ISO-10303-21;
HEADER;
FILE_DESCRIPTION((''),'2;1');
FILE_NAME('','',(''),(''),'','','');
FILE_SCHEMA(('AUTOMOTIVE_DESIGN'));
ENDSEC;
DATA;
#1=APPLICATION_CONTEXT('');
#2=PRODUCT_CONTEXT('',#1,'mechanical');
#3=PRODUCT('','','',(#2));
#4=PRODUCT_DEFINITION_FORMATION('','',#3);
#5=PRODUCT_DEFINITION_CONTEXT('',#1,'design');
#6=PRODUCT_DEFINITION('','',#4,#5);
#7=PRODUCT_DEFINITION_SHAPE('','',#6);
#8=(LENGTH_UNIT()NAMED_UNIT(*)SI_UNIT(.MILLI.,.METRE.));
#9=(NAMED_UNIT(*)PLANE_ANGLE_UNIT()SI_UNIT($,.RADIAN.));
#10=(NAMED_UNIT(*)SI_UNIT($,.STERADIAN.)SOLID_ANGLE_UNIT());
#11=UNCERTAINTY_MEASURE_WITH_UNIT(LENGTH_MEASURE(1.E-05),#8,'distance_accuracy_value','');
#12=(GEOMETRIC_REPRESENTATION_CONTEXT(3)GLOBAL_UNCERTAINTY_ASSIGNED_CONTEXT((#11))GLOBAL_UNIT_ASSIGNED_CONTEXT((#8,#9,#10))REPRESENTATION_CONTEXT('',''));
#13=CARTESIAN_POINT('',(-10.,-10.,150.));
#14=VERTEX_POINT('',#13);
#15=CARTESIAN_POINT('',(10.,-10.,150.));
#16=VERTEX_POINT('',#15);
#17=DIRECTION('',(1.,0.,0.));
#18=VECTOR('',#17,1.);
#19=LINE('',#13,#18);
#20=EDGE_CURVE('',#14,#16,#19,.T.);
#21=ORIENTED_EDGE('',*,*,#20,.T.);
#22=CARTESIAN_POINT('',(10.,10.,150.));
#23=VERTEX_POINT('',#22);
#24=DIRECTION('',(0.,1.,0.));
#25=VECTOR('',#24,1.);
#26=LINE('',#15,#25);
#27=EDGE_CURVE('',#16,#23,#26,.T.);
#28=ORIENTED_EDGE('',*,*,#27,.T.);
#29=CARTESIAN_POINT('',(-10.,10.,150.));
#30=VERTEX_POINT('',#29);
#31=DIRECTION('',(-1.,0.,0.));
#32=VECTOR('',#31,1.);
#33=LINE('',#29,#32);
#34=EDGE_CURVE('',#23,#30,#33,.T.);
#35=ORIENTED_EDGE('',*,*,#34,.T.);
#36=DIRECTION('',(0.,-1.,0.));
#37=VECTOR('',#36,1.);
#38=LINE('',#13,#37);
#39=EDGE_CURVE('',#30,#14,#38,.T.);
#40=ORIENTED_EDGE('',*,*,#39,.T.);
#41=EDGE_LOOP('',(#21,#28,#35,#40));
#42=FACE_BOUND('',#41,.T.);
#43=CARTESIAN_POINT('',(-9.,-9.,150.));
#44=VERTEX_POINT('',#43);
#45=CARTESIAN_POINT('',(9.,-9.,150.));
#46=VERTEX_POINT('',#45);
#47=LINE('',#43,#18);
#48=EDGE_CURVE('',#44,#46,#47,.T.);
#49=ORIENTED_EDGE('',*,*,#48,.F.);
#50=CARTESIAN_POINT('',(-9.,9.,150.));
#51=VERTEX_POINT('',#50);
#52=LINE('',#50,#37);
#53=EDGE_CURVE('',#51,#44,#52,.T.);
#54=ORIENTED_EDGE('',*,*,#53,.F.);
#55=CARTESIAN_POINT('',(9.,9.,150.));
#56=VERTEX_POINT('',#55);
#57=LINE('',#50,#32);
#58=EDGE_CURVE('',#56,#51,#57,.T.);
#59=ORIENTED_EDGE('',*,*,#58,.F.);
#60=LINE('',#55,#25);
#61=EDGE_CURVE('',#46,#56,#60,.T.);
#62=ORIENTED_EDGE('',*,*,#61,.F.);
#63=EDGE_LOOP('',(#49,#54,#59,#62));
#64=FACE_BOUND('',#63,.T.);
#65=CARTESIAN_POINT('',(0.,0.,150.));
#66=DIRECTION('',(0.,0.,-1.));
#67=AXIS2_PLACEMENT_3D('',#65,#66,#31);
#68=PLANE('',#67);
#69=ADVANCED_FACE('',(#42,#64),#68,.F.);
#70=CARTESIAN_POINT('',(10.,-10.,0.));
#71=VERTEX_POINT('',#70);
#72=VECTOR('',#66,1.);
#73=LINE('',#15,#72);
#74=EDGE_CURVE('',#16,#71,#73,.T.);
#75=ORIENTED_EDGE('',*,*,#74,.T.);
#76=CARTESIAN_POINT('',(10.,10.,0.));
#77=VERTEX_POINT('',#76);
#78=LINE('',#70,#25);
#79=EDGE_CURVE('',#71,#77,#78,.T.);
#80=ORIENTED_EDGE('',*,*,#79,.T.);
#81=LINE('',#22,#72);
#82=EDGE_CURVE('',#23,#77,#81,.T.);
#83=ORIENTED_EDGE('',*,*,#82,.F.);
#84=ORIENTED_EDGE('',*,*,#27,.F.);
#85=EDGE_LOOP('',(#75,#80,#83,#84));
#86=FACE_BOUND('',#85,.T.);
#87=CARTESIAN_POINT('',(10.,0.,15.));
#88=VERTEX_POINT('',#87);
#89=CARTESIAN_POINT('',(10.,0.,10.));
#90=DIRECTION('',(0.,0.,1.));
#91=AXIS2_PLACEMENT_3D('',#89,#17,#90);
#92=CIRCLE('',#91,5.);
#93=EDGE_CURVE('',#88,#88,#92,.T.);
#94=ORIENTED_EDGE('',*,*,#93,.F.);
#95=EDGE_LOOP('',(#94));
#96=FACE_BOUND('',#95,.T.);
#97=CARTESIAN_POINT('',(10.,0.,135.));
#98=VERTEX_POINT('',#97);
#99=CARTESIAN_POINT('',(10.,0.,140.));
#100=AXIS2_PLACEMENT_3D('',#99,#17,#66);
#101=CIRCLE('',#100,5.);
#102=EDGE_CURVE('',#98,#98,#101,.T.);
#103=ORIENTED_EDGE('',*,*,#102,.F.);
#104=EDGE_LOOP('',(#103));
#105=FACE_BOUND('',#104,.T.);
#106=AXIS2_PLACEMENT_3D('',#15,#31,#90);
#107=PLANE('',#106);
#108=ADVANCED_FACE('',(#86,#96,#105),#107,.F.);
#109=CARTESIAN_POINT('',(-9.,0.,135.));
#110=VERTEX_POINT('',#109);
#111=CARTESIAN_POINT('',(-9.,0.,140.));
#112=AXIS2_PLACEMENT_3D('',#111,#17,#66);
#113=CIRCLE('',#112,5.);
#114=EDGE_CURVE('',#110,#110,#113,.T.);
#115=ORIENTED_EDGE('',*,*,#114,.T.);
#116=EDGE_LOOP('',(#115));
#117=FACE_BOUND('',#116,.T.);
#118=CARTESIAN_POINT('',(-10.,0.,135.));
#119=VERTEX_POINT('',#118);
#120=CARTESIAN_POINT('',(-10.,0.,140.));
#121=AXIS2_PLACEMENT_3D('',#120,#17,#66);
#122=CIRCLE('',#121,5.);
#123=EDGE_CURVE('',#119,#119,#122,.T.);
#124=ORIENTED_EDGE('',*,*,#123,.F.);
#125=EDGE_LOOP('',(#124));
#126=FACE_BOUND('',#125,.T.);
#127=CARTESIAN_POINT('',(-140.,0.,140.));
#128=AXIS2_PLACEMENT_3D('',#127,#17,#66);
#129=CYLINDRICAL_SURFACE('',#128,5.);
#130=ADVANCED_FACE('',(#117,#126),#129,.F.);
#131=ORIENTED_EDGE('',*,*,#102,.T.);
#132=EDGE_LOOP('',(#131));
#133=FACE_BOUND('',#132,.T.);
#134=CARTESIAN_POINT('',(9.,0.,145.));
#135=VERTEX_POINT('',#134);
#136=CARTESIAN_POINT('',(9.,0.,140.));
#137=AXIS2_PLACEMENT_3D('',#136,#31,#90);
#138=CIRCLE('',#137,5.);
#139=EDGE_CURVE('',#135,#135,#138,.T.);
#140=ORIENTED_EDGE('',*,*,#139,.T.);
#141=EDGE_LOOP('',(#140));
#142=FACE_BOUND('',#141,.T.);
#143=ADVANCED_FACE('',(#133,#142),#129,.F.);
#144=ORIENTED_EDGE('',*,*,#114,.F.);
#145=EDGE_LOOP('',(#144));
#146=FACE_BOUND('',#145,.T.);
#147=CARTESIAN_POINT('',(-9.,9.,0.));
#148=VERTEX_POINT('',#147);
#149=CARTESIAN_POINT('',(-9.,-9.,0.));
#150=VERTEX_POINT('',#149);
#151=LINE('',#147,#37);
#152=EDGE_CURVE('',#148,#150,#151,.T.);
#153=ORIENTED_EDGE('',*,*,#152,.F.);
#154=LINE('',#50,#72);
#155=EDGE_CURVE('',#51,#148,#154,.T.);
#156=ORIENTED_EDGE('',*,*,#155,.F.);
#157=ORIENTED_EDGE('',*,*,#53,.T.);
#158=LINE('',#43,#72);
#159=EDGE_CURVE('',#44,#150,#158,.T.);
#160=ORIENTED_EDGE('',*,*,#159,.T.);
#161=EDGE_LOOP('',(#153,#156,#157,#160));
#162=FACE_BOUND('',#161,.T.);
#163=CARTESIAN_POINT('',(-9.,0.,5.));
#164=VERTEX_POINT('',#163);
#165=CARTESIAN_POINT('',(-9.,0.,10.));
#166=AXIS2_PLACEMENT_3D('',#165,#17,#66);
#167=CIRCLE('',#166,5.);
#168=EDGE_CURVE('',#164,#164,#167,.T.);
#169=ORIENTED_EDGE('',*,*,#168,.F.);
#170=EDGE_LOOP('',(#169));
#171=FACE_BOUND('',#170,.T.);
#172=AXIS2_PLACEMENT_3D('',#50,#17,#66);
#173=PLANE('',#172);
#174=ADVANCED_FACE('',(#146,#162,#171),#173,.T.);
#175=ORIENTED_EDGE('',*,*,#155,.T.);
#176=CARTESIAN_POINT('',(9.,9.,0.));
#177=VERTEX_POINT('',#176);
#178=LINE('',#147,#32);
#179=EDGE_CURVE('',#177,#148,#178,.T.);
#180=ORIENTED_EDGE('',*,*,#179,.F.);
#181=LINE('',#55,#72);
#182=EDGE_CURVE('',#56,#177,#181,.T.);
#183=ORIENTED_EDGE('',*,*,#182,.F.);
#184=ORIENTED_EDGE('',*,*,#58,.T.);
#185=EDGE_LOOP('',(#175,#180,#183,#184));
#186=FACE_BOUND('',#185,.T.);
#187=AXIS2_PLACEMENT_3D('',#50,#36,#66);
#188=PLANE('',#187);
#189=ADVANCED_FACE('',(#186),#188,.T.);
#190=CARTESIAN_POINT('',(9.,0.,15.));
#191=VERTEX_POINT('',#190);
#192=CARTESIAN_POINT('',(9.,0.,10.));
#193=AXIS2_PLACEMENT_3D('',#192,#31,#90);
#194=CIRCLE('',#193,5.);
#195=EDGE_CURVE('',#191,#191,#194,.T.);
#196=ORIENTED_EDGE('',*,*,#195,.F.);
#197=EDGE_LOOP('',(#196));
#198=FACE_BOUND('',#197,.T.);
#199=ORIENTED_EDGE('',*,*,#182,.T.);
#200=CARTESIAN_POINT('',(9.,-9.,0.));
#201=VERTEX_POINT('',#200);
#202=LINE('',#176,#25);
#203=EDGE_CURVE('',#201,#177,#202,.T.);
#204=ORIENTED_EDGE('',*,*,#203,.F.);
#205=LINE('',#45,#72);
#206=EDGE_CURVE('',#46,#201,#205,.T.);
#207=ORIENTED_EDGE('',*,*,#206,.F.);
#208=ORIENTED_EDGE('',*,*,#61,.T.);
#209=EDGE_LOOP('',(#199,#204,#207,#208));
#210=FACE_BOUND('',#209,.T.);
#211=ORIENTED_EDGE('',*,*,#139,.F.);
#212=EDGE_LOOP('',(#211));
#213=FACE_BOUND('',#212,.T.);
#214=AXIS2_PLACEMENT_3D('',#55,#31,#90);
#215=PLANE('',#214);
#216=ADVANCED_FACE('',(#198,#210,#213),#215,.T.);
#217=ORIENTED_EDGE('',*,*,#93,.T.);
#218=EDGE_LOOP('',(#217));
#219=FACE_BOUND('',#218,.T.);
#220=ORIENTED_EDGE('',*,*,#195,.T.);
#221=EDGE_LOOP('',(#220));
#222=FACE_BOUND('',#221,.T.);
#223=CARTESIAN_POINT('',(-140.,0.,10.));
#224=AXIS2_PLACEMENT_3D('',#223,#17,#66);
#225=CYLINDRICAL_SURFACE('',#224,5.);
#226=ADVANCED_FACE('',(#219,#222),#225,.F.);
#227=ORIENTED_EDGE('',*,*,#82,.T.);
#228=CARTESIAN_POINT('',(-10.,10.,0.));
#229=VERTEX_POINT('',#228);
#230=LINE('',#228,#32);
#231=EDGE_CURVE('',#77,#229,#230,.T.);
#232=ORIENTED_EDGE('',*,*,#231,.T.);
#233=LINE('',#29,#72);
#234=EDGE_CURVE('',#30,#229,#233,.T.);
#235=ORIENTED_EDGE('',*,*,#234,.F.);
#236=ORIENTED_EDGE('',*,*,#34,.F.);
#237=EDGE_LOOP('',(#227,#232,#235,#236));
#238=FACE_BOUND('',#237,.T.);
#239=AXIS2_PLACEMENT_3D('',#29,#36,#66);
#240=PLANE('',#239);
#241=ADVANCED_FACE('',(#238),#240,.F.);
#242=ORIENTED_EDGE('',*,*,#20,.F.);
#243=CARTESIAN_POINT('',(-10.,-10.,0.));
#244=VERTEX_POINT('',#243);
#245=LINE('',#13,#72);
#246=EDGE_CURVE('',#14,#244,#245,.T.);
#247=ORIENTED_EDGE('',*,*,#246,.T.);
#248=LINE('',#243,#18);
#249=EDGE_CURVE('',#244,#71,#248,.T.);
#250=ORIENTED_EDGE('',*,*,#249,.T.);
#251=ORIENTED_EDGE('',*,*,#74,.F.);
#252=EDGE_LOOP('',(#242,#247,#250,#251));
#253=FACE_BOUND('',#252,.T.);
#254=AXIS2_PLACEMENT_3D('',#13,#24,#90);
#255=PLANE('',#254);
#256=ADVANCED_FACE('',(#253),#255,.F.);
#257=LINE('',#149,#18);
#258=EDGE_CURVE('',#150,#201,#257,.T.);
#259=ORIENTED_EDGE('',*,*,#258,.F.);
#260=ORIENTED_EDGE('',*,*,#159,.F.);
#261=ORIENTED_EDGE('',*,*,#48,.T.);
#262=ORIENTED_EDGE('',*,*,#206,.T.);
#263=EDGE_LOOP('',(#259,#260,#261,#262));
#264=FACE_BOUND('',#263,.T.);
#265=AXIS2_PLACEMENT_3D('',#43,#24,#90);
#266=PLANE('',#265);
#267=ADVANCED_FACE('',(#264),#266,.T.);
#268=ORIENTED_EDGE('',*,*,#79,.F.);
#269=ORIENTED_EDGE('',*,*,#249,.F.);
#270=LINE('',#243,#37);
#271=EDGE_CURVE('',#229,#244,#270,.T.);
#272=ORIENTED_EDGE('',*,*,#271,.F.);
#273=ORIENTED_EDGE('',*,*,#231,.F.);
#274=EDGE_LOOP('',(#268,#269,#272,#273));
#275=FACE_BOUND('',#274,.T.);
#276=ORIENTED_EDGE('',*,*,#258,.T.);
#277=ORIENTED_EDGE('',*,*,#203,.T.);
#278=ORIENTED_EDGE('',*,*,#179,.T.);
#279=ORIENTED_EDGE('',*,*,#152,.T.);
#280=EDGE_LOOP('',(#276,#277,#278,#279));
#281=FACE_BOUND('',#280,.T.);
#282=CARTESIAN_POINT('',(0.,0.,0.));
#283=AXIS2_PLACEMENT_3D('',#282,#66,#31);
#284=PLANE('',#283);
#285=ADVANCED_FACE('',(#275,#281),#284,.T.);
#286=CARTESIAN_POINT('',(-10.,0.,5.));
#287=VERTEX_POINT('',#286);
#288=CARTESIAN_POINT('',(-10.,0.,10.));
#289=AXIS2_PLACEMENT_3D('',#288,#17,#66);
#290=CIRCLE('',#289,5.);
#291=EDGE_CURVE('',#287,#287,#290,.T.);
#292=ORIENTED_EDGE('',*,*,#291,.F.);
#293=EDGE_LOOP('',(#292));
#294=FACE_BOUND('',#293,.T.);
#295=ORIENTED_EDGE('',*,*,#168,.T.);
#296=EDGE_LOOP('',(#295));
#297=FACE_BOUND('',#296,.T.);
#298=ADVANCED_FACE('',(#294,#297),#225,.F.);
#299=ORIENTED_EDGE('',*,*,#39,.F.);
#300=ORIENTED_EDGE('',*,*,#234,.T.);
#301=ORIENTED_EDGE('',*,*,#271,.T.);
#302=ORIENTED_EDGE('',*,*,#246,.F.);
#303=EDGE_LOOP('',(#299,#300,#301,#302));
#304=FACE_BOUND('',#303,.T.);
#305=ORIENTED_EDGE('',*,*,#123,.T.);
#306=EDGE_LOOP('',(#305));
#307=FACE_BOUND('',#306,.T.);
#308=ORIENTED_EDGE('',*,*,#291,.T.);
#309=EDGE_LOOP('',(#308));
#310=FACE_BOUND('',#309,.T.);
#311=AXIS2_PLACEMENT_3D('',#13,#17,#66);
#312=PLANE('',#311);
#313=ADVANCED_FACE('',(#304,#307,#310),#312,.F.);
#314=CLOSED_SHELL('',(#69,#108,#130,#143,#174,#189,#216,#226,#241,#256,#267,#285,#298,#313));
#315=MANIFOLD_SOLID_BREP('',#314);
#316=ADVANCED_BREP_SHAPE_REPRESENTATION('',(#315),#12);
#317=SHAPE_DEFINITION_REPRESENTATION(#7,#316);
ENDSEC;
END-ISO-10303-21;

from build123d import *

# Parameters (mm, degrees)
SKETCH1_W           = 20
SKETCH1_H           = 20
SKETCH1_W_2         = 18
SKETCH1_H_2         = 18
BOSS_EXTRUDE1_DEPTH = 150
SKETCH2_R           = 5
CUT_EXTRUDE1_DEPTH  = 150


with BuildPart() as part:
    # Sketch1 → Boss-Extrude1 (new body)
    with BuildSketch(Plane.XY):
        Rectangle(SKETCH1_W, SKETCH1_H)
        Rectangle(SKETCH1_W_2, SKETCH1_H_2, mode=Mode.SUBTRACT)
    extrude(amount=BOSS_EXTRUDE1_DEPTH)

    # Sketch2 → Cut-Extrude1 (cut)
    with BuildSketch(Plane(origin=(10, 0, 0), x_dir=(0, 0, -1), z_dir=(1, 0, 0))):
        with Locations((-140, 0)):
            Circle(SKETCH2_R)
        with Locations((-10, 0)):
            Circle(SKETCH2_R)
    extrude(amount=-CUT_EXTRUDE1_DEPTH, mode=Mode.SUBTRACT)


solid = part.part
